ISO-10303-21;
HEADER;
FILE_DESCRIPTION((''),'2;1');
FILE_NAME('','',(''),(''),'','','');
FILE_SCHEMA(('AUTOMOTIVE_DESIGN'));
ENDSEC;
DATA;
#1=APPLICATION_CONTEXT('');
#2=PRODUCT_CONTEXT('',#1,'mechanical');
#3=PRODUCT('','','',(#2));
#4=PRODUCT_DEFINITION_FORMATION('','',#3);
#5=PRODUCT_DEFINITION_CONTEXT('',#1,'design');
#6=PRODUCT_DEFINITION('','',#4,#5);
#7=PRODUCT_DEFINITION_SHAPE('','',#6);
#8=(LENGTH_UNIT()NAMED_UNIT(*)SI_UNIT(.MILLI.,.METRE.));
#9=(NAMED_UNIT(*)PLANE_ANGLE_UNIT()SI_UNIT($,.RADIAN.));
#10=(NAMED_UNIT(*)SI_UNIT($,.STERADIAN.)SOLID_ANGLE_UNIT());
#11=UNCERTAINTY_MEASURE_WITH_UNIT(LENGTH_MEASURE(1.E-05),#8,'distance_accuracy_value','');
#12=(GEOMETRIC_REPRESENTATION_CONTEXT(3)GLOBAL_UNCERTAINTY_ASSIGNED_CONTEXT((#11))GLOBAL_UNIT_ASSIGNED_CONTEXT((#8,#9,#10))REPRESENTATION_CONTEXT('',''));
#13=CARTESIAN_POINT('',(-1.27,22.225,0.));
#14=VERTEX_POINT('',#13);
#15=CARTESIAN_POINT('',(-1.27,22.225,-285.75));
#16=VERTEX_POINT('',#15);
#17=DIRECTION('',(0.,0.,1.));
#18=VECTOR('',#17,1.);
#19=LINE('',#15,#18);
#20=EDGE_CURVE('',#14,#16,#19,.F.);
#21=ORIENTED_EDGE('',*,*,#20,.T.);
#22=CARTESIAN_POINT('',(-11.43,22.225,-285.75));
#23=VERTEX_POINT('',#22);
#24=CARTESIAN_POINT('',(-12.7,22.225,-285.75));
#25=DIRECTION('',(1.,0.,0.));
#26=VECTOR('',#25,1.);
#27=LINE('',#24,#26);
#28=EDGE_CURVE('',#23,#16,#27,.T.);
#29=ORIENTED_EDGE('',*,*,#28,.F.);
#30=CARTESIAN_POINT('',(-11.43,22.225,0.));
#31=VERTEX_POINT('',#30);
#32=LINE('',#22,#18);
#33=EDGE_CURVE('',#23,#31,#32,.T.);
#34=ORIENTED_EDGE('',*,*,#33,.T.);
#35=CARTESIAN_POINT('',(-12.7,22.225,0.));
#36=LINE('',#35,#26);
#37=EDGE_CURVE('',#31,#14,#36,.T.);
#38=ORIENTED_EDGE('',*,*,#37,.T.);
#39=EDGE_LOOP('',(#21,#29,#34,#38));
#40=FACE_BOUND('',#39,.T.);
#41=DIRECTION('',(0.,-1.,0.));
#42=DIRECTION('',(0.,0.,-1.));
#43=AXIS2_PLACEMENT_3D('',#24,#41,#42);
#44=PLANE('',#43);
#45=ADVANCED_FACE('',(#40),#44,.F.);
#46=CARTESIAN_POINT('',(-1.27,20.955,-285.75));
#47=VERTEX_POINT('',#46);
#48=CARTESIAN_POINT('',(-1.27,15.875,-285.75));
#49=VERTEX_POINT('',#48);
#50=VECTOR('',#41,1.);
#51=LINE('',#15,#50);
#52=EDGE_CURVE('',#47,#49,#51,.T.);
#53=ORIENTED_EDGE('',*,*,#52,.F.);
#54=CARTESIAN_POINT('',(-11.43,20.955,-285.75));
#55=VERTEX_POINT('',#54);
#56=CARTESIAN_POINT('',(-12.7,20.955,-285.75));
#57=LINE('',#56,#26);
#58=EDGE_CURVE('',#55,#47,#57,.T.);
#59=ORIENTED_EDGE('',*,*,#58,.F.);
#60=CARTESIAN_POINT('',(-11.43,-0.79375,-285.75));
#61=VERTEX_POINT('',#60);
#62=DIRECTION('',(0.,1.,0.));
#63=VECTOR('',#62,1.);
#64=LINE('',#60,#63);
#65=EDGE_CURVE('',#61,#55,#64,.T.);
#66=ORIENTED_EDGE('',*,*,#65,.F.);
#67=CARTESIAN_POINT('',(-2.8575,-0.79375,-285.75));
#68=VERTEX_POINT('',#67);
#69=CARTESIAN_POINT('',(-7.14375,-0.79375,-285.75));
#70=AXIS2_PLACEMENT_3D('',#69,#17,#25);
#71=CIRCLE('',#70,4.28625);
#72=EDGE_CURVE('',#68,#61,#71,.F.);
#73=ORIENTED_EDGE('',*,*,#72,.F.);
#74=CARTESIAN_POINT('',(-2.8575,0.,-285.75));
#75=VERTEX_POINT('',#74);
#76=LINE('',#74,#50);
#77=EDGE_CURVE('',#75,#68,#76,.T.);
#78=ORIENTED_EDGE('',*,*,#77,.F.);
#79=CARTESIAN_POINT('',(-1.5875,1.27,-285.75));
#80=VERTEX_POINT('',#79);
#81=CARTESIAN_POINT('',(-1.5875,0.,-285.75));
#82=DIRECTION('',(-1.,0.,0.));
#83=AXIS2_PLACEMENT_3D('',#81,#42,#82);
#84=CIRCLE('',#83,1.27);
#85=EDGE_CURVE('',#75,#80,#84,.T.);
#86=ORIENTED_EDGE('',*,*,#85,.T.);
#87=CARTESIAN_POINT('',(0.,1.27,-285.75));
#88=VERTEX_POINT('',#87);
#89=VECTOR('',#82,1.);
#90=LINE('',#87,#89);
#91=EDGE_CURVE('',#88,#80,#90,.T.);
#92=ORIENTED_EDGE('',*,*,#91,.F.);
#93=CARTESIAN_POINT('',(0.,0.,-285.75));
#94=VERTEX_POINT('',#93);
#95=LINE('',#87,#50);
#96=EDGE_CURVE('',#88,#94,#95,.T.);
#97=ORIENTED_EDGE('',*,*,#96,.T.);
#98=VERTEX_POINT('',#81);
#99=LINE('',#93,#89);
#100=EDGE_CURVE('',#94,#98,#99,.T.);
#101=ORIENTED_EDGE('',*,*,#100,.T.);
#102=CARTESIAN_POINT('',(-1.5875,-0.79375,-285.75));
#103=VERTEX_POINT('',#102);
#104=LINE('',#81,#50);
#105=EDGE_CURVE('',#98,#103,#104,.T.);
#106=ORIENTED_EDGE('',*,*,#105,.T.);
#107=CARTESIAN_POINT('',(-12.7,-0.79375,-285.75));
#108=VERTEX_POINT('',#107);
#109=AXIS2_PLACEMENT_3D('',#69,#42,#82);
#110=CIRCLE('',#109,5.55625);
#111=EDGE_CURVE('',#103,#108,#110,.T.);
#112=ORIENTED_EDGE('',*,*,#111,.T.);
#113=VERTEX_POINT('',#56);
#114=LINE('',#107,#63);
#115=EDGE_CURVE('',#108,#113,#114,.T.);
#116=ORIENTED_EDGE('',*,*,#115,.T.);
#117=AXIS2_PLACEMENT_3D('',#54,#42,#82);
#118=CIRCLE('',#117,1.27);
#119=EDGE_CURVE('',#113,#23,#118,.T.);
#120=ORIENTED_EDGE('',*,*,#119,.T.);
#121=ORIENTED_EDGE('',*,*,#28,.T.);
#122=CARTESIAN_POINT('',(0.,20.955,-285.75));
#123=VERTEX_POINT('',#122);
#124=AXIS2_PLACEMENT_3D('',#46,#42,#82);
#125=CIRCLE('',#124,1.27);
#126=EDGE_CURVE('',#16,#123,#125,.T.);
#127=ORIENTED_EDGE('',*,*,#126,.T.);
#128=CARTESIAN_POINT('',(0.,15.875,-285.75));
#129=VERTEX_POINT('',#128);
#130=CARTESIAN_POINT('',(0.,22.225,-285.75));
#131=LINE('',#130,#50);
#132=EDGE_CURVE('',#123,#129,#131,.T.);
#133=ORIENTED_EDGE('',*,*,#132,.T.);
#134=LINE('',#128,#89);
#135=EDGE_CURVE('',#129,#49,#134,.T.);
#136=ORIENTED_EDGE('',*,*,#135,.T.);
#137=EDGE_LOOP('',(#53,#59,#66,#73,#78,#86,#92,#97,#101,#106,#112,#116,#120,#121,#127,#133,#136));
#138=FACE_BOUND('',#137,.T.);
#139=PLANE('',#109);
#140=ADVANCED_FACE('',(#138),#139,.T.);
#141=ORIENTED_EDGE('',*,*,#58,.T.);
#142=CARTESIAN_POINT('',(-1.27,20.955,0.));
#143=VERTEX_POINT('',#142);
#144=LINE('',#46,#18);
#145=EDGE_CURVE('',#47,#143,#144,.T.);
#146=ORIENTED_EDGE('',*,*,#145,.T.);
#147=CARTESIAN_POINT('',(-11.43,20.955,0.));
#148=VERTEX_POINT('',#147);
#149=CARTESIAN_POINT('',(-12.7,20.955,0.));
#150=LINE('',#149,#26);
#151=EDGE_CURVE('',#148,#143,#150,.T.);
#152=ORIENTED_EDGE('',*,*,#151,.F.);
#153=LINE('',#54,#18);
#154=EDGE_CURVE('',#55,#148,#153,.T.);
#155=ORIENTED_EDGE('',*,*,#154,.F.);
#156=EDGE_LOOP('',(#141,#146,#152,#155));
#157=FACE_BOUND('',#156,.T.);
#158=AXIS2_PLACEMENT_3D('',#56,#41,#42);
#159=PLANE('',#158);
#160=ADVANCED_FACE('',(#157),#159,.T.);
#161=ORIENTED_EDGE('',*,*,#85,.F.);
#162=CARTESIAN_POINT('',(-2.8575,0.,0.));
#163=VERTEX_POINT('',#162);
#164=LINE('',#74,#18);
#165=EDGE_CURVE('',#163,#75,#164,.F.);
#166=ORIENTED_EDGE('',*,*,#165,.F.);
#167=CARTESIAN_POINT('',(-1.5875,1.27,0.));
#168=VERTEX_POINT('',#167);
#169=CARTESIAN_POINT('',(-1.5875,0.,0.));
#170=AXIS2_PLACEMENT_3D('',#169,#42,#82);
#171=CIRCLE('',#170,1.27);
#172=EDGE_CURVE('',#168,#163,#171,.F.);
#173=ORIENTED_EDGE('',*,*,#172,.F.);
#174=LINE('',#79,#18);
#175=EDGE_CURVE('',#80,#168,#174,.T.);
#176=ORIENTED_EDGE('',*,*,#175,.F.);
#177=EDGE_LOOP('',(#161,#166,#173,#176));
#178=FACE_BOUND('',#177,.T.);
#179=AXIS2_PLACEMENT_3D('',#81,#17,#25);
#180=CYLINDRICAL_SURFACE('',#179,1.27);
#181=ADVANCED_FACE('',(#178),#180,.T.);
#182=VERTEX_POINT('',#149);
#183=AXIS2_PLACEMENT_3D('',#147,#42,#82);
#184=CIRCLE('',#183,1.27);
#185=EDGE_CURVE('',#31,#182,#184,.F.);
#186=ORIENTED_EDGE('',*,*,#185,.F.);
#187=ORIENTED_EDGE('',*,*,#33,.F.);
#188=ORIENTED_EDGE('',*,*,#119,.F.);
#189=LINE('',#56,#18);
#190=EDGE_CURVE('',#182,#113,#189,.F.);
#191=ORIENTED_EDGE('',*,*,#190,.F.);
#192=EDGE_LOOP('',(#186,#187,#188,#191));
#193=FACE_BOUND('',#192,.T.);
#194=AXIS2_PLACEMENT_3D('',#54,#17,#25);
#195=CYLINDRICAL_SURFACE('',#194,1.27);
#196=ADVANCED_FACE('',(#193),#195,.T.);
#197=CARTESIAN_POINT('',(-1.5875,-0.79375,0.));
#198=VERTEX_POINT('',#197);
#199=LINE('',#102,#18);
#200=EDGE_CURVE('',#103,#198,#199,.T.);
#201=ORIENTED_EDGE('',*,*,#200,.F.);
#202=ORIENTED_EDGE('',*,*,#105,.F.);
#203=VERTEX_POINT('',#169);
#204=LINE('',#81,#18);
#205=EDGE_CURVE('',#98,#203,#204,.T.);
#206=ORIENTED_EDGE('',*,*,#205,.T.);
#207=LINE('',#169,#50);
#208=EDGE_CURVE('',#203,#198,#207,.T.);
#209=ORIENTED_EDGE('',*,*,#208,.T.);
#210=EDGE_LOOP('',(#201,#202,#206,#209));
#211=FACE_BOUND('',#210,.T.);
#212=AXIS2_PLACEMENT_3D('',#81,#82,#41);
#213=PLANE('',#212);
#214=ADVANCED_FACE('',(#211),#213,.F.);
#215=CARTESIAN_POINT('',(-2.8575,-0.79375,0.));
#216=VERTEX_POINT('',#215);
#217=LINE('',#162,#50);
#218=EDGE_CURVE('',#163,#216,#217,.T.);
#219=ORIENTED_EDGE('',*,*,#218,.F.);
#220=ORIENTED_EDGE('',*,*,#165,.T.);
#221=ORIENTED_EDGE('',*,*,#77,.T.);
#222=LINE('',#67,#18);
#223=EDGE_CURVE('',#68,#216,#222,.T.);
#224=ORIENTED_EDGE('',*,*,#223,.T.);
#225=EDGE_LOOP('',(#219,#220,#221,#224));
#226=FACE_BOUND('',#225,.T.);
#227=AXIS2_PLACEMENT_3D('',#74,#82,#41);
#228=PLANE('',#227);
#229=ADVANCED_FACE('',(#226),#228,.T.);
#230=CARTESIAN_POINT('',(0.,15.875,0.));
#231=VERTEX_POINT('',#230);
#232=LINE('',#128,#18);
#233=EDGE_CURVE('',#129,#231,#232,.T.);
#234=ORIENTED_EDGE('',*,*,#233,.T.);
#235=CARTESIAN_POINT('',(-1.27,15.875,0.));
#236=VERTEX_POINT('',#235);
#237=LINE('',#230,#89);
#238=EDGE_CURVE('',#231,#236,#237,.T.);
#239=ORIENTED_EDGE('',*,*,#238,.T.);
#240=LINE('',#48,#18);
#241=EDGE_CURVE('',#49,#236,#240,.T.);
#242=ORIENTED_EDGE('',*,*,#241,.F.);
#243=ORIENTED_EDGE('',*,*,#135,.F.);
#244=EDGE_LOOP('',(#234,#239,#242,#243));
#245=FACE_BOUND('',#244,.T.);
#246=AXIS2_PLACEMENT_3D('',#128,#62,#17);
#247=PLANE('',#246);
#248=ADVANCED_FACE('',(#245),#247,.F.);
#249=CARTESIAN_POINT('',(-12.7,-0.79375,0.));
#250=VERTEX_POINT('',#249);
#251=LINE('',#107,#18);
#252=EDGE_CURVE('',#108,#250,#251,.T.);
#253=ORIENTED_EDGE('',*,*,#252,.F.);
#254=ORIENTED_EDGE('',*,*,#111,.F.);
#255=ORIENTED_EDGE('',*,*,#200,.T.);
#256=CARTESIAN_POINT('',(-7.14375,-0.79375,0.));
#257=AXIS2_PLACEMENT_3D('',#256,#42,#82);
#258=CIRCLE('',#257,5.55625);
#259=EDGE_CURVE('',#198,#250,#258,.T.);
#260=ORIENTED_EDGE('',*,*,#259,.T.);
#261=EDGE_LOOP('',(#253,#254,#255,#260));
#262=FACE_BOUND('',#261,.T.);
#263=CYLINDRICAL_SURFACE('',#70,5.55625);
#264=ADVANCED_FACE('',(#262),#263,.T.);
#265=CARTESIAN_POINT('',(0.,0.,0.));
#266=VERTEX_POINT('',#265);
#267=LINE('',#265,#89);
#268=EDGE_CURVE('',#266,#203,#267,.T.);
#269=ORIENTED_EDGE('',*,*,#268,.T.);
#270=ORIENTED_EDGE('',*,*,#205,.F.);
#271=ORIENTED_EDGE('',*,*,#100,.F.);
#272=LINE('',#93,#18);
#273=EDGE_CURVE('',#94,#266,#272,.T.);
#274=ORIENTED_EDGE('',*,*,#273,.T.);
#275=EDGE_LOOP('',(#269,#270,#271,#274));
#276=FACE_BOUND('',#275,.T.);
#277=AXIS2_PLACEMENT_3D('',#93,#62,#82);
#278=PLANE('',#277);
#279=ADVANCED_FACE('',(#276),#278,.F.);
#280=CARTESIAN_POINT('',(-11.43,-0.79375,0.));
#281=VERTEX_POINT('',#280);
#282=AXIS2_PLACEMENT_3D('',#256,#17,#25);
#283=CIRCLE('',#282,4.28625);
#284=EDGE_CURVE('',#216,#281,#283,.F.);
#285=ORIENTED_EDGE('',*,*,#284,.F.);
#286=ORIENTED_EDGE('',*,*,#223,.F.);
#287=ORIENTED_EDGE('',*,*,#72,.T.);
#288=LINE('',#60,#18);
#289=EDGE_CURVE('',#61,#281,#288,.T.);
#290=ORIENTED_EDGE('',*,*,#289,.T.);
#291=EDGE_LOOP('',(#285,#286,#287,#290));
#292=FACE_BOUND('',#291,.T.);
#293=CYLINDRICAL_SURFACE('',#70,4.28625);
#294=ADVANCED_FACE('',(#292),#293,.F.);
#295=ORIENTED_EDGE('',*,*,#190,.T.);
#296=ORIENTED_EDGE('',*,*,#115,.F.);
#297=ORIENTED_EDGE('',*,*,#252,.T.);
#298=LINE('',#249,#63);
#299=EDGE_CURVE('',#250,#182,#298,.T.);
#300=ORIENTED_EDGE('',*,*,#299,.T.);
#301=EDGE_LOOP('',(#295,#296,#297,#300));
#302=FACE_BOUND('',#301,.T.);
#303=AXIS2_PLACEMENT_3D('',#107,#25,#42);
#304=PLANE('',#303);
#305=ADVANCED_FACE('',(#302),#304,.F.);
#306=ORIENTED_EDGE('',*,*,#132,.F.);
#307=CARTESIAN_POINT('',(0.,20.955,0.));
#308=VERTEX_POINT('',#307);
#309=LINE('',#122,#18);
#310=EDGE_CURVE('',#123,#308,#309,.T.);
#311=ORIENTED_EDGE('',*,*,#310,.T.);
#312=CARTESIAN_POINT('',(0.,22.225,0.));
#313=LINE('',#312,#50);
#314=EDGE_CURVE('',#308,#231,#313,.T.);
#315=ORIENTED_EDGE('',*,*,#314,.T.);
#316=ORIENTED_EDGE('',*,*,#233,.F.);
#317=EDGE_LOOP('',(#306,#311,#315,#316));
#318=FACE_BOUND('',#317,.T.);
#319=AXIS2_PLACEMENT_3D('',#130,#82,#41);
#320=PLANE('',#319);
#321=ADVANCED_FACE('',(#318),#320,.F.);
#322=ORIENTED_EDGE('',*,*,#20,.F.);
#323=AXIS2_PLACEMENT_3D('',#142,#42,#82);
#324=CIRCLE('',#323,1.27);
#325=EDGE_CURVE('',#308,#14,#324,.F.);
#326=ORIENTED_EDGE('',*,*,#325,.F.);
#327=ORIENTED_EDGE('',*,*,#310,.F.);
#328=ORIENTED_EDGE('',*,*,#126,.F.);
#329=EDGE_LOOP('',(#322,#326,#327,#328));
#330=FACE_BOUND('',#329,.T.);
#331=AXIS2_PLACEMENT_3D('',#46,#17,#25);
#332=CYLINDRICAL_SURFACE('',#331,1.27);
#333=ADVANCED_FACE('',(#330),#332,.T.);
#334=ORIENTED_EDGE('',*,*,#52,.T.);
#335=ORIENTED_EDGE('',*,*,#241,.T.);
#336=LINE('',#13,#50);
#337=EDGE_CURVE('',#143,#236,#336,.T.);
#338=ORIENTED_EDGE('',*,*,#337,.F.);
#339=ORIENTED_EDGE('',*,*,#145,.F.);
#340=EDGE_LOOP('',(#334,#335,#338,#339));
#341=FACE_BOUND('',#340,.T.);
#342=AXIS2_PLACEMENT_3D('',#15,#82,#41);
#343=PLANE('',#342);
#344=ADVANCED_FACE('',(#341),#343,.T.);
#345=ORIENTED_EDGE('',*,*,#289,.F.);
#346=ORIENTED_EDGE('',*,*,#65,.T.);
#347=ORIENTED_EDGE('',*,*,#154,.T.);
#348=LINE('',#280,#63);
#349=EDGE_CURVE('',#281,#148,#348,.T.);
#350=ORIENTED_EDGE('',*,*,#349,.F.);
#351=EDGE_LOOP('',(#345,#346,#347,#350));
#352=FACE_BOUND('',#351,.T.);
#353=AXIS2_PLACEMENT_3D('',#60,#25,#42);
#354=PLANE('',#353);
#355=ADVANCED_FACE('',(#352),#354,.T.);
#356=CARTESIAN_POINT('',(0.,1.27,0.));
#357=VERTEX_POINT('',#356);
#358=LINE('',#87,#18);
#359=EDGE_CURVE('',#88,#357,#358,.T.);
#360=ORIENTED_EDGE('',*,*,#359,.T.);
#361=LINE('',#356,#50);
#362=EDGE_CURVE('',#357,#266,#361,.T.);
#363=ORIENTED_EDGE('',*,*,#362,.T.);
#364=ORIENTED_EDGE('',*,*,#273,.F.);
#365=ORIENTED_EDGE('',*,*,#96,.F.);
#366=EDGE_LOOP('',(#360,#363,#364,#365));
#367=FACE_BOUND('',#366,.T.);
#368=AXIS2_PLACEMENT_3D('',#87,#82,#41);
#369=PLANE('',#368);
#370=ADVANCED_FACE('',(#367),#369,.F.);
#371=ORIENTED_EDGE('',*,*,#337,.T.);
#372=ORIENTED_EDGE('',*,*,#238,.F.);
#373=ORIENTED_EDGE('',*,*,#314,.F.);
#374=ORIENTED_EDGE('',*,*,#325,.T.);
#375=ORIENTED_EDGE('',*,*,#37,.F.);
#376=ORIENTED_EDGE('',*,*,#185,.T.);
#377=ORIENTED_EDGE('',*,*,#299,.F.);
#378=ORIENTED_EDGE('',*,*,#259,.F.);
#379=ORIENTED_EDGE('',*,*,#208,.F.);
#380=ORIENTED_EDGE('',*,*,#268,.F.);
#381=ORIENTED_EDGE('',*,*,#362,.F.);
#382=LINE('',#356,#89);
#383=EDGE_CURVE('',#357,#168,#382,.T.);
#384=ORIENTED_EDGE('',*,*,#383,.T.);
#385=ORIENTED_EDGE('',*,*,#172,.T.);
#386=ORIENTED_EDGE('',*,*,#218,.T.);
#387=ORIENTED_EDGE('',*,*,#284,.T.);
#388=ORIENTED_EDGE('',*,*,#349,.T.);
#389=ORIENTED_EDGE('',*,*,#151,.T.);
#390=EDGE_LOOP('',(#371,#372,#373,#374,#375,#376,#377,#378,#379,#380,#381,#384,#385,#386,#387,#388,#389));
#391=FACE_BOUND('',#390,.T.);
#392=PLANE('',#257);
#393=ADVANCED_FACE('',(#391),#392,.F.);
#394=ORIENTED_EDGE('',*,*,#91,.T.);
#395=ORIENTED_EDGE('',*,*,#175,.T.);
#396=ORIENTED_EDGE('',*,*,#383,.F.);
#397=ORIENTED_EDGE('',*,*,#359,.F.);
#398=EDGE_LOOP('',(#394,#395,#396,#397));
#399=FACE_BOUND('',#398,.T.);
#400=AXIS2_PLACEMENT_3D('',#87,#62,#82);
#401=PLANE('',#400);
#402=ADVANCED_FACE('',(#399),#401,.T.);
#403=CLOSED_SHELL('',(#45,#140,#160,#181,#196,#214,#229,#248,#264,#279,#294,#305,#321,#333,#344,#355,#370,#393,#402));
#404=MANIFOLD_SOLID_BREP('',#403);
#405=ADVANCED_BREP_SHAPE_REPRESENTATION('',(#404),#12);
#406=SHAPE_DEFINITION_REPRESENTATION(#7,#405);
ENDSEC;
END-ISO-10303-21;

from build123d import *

# Parameters (mm, degrees)
EXTRUDE_THIN1_DEPTH = 285.75
FILLET1_R           = 1.27


with BuildPart() as part:
    # Sketch1 → Extrude-Thin1 (new body)
    with BuildSketch(Plane.XY):
        with BuildLine():
            Line((0, 0), (-1.5875, 0))
            Line((-1.5875, 0), (-1.5875, -0.79375))
            ThreePointArc((-1.5875, -0.79375), (-7.14375, -6.35), (-12.7, -0.79375))
            Line((-12.7, -0.79375), (-12.7, 22.225))
            Line((-12.7, 22.225), (0, 22.225))
            Line((0, 22.225), (0, 15.875))
            Line((0, 15.875), (-1.27, 15.875))
            Line((-1.27, 15.875), (-1.27, 20.955))
            Line((-1.27, 20.955), (-11.43, 20.955))
            Line((-11.43, 20.955), (-11.43, -0.79375))
            ThreePointArc((-11.43, -0.79375), (-7.14375, -5.08), (-2.8575, -0.79375))
            Line((-2.8575, -0.79375), (-2.8575, 1.27))
            Line((-2.8575, 1.27), (0, 1.27))
            Line((0, 1.27), (0, 0))
        make_face()
    extrude(amount=-EXTRUDE_THIN1_DEPTH)

    # Fillet1
    fillet1_edges = [part.edges().sort_by_distance(p)[0] for p in [
        (-2.8575, 1.27, -142.875),
        (-12.7, 22.225, -142.875),
        (0, 22.225, -142.875),
    ]]
    fillet(fillet1_edges, radius=FILLET1_R)


solid = part.part
